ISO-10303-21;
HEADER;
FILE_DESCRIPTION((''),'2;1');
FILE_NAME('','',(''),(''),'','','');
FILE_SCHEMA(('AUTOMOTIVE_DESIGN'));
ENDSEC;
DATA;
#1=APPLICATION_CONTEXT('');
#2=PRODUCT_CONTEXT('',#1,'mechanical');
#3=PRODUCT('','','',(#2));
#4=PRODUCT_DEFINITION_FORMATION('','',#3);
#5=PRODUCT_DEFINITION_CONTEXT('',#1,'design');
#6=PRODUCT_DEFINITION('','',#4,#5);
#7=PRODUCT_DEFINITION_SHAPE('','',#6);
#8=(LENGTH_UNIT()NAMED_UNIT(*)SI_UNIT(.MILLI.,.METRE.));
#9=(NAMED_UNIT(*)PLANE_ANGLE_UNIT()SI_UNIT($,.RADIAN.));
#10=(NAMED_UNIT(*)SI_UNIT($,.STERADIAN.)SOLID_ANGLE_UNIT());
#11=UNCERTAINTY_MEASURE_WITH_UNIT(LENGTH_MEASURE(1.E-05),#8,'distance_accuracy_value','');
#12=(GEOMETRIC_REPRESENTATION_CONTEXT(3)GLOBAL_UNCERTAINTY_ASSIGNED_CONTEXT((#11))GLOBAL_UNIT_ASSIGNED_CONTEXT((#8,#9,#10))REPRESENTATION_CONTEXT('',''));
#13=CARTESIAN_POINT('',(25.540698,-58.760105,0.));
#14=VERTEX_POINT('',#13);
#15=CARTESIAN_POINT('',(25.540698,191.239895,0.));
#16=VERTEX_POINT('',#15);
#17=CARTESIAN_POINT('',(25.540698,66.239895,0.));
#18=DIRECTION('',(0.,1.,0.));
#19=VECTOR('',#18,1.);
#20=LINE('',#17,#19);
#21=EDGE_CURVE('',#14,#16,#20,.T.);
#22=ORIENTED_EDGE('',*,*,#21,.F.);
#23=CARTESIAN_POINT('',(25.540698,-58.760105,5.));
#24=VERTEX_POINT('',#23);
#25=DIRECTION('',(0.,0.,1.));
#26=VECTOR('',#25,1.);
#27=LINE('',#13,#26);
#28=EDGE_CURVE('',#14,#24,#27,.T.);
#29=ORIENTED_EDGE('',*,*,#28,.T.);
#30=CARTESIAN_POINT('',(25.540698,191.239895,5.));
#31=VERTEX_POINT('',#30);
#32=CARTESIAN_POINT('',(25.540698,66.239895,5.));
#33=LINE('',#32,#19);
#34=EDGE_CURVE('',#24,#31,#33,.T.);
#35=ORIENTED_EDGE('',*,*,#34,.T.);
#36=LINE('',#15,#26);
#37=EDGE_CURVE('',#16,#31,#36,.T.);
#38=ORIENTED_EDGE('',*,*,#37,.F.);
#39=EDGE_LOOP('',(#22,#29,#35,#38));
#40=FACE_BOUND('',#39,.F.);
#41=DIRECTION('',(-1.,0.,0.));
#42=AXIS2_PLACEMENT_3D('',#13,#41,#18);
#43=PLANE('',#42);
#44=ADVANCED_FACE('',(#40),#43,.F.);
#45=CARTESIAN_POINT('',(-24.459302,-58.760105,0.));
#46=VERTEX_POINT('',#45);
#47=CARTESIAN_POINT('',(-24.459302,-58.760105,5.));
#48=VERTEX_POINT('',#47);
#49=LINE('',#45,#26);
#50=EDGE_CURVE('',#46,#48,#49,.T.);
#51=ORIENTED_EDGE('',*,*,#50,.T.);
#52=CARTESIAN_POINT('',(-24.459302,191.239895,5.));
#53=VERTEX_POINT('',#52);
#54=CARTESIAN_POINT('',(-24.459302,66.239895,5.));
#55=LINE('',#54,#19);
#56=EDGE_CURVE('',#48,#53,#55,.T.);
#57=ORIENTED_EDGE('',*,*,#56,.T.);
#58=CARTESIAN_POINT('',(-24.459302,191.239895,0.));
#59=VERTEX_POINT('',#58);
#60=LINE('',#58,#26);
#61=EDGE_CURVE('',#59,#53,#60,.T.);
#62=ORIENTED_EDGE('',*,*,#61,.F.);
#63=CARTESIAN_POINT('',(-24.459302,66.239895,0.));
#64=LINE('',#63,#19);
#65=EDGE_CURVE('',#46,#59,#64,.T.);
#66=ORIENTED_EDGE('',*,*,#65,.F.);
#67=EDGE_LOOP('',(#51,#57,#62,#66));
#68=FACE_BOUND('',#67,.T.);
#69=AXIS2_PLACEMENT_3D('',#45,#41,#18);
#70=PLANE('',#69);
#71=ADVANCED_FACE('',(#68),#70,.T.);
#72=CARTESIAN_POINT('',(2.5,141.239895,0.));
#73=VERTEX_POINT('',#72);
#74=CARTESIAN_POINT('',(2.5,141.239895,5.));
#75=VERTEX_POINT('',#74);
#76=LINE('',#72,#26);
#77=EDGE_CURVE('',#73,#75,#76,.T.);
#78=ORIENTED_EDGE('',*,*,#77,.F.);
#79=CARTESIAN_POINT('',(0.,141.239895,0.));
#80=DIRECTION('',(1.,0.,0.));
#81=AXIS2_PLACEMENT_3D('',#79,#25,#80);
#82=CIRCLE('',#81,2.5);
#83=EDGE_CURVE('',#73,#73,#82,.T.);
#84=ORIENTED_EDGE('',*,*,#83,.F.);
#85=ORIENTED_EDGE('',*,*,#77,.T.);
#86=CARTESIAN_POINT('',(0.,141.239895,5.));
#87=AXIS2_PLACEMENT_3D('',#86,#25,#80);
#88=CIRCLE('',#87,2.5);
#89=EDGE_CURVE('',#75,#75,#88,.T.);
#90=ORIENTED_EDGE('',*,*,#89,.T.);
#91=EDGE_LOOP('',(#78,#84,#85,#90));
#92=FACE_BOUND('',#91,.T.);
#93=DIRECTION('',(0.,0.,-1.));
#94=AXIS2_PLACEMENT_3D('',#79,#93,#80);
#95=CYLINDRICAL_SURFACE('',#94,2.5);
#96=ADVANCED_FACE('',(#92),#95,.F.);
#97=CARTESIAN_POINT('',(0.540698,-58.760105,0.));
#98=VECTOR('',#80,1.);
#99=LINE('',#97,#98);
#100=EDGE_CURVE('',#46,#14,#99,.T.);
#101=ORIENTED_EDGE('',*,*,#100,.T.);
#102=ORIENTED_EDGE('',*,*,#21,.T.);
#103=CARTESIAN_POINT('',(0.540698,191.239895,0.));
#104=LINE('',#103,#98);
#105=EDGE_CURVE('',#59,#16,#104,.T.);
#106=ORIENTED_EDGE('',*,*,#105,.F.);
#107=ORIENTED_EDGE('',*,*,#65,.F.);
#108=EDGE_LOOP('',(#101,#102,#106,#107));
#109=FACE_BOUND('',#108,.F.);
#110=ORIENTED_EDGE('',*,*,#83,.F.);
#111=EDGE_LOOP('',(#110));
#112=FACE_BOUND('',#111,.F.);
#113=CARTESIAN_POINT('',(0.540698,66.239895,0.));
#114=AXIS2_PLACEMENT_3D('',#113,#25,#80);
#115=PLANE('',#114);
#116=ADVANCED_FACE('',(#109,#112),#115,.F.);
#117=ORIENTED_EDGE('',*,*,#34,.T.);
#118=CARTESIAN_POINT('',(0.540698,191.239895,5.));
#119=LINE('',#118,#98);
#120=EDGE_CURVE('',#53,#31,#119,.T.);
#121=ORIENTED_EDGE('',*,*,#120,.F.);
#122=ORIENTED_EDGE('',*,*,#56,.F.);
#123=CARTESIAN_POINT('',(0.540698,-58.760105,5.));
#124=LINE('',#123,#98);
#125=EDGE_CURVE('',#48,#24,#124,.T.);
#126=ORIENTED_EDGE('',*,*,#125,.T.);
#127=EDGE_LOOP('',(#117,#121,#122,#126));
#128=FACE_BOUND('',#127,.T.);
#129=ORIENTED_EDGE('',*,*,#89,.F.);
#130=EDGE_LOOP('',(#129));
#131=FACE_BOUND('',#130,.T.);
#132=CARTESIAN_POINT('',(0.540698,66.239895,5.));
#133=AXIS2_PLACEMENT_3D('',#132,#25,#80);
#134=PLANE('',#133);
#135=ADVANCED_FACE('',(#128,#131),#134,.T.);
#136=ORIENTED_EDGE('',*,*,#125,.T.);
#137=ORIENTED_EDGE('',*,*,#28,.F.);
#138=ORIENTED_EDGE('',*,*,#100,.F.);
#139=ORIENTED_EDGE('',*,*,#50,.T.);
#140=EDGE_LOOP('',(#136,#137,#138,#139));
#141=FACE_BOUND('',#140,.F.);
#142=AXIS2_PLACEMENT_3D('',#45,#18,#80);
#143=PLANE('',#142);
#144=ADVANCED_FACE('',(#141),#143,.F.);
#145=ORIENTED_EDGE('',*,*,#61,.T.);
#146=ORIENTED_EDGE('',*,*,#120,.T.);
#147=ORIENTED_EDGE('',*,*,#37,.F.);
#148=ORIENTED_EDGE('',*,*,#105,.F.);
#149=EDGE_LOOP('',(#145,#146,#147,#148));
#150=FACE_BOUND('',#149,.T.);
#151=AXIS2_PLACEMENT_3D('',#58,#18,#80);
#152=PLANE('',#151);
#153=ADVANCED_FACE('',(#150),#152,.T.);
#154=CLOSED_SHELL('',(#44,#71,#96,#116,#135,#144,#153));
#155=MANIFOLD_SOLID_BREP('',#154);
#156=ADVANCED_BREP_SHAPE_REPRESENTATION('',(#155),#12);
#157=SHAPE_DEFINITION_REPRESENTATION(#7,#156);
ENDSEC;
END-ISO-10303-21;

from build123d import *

# Parameters (mm, degrees)
SKETCH_W  = 50
SKETCH_H  = 250
SKETCH_R  = 2.5
PAD_DEPTH = 5


with BuildPart() as part:
    # Sketch → Pad (new body)
    with BuildSketch(Plane.XY):
        with Locations((0.540698, 66.239895)):
            Rectangle(SKETCH_W, SKETCH_H)
        with Locations((0, 141.239895)):
            Circle(SKETCH_R, mode=Mode.SUBTRACT)
    extrude(amount=PAD_DEPTH)


solid = part.part
